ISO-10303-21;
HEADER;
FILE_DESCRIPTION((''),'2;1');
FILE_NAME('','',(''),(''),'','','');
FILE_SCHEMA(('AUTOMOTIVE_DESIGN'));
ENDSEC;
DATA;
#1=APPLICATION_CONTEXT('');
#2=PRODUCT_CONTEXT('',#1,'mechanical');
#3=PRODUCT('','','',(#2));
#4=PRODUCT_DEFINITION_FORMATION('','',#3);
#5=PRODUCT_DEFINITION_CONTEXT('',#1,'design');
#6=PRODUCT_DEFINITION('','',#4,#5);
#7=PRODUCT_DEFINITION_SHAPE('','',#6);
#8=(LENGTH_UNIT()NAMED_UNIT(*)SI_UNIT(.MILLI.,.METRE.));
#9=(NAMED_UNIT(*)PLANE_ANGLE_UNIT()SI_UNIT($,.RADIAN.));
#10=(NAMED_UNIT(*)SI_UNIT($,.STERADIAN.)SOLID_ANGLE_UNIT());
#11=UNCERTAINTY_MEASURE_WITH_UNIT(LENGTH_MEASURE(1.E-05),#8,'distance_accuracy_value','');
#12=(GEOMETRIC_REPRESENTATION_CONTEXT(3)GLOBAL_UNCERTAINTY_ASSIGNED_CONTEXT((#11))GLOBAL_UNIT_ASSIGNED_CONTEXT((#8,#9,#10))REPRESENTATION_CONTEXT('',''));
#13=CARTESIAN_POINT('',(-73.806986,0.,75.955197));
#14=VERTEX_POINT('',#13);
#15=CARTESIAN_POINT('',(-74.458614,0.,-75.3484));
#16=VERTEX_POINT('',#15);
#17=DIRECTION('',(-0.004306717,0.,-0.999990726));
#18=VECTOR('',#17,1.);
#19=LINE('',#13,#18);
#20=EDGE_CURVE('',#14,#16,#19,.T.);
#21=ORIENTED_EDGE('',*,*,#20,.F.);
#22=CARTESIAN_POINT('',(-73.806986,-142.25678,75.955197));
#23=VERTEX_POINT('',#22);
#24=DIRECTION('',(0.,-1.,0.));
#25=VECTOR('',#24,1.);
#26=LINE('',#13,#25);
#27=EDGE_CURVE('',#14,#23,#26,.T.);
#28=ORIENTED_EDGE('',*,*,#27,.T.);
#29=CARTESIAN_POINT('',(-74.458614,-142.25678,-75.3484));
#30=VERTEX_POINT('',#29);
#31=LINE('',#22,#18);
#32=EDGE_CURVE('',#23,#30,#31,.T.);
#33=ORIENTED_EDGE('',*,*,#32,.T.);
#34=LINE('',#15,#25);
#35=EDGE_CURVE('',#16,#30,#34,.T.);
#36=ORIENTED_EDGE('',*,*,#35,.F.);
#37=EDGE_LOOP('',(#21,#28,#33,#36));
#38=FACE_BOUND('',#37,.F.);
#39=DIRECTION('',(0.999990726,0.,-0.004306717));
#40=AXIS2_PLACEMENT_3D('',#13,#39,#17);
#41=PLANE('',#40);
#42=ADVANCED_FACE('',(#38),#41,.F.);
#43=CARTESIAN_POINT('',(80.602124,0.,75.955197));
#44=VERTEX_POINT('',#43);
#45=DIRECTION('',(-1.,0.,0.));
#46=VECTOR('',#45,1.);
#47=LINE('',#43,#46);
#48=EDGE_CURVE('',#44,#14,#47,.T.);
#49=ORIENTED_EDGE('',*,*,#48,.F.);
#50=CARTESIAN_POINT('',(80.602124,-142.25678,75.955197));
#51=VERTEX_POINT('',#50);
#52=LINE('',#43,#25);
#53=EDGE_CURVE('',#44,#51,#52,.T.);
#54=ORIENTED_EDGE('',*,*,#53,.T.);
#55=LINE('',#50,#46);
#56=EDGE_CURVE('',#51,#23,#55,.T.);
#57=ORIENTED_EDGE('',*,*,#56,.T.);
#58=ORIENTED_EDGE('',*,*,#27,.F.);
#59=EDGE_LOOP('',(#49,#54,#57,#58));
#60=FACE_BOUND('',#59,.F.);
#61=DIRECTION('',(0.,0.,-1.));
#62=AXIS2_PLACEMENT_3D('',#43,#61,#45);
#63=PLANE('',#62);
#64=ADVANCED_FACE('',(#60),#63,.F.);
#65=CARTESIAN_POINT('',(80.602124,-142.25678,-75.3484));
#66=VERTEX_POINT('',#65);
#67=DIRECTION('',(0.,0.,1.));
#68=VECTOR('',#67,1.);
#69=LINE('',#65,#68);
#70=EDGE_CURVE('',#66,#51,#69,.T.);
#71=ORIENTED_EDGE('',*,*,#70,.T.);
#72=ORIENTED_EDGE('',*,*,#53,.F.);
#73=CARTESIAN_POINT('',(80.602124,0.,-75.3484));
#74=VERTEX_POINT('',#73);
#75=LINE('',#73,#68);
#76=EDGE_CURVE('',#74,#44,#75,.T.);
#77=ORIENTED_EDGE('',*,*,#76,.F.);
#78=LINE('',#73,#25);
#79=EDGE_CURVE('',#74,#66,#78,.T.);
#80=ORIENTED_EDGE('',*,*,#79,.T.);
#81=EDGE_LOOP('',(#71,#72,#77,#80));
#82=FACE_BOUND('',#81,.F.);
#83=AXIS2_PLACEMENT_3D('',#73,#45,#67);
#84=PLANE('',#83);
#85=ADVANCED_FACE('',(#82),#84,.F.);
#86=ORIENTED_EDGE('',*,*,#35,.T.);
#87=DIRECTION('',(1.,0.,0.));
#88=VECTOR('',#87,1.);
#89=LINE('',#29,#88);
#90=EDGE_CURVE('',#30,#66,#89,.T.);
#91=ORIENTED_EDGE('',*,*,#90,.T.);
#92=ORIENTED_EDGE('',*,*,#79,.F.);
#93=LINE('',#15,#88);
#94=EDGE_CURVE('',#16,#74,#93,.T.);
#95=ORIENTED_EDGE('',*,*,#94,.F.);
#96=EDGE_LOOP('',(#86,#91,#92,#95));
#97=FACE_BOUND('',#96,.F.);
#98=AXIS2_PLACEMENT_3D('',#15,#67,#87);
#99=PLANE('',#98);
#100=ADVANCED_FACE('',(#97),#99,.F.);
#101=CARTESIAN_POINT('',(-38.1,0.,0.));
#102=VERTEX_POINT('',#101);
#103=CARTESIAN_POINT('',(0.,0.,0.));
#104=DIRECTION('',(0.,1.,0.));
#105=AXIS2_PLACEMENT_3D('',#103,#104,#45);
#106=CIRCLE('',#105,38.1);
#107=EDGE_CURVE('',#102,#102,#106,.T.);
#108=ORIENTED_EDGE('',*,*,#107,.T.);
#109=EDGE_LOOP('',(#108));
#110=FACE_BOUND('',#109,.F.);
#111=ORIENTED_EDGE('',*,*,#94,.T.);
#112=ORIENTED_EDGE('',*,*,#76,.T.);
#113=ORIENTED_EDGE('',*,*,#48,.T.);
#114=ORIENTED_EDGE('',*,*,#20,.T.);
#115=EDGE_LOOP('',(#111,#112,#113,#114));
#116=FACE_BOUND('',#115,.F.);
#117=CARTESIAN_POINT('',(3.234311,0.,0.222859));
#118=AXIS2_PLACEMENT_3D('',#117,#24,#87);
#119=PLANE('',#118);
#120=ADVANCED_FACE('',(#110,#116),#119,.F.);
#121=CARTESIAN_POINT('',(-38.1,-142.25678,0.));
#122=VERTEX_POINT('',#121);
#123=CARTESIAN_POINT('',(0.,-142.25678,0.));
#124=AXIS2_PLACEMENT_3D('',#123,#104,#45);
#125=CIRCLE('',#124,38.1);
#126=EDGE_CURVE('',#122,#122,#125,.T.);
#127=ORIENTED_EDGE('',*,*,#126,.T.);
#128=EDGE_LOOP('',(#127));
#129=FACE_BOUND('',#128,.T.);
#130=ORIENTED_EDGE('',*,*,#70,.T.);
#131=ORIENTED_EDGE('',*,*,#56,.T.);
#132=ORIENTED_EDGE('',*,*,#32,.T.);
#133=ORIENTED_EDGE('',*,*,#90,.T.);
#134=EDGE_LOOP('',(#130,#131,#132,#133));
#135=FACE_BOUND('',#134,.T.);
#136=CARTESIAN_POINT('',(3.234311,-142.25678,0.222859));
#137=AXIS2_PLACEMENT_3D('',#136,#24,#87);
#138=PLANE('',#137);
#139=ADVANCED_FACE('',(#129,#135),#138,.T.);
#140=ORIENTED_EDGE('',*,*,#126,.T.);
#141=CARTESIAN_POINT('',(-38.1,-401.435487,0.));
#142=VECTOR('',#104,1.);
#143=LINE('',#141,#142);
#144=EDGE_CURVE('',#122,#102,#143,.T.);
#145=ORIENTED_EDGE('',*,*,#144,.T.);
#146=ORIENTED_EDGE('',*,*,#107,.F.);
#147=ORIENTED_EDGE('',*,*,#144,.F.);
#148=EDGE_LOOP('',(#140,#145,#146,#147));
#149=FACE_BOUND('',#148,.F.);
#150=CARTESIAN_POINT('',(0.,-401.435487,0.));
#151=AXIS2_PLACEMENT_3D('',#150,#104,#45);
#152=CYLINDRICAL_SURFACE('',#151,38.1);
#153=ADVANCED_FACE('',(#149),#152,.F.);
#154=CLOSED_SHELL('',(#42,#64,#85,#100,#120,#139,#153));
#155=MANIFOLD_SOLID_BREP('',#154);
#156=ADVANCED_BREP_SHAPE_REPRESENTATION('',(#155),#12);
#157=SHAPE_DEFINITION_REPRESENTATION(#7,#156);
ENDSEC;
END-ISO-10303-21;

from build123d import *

# Parameters (mm, degrees)
F2_DEPTH = 142.2567795962
F4_D     = 76.2


with BuildPart() as f2:
    # F1 (on face) → F2 (new body)
    with BuildSketch(Plane.XZ):
        Polygon((80.6021243334, 75.9551972151), (-73.8069862127, 75.9551972151), (-74.4586139917, -75.3483995795), (80.6021243334, -75.3483995795), align=None)
    extrude(amount=F2_DEPTH)

    # F4 (through all)
    with Locations(Plane.XZ.offset(142.2567795962)):
        with Locations((0, 0)):
            Hole(F4_D / 2)


solid = f2.part
